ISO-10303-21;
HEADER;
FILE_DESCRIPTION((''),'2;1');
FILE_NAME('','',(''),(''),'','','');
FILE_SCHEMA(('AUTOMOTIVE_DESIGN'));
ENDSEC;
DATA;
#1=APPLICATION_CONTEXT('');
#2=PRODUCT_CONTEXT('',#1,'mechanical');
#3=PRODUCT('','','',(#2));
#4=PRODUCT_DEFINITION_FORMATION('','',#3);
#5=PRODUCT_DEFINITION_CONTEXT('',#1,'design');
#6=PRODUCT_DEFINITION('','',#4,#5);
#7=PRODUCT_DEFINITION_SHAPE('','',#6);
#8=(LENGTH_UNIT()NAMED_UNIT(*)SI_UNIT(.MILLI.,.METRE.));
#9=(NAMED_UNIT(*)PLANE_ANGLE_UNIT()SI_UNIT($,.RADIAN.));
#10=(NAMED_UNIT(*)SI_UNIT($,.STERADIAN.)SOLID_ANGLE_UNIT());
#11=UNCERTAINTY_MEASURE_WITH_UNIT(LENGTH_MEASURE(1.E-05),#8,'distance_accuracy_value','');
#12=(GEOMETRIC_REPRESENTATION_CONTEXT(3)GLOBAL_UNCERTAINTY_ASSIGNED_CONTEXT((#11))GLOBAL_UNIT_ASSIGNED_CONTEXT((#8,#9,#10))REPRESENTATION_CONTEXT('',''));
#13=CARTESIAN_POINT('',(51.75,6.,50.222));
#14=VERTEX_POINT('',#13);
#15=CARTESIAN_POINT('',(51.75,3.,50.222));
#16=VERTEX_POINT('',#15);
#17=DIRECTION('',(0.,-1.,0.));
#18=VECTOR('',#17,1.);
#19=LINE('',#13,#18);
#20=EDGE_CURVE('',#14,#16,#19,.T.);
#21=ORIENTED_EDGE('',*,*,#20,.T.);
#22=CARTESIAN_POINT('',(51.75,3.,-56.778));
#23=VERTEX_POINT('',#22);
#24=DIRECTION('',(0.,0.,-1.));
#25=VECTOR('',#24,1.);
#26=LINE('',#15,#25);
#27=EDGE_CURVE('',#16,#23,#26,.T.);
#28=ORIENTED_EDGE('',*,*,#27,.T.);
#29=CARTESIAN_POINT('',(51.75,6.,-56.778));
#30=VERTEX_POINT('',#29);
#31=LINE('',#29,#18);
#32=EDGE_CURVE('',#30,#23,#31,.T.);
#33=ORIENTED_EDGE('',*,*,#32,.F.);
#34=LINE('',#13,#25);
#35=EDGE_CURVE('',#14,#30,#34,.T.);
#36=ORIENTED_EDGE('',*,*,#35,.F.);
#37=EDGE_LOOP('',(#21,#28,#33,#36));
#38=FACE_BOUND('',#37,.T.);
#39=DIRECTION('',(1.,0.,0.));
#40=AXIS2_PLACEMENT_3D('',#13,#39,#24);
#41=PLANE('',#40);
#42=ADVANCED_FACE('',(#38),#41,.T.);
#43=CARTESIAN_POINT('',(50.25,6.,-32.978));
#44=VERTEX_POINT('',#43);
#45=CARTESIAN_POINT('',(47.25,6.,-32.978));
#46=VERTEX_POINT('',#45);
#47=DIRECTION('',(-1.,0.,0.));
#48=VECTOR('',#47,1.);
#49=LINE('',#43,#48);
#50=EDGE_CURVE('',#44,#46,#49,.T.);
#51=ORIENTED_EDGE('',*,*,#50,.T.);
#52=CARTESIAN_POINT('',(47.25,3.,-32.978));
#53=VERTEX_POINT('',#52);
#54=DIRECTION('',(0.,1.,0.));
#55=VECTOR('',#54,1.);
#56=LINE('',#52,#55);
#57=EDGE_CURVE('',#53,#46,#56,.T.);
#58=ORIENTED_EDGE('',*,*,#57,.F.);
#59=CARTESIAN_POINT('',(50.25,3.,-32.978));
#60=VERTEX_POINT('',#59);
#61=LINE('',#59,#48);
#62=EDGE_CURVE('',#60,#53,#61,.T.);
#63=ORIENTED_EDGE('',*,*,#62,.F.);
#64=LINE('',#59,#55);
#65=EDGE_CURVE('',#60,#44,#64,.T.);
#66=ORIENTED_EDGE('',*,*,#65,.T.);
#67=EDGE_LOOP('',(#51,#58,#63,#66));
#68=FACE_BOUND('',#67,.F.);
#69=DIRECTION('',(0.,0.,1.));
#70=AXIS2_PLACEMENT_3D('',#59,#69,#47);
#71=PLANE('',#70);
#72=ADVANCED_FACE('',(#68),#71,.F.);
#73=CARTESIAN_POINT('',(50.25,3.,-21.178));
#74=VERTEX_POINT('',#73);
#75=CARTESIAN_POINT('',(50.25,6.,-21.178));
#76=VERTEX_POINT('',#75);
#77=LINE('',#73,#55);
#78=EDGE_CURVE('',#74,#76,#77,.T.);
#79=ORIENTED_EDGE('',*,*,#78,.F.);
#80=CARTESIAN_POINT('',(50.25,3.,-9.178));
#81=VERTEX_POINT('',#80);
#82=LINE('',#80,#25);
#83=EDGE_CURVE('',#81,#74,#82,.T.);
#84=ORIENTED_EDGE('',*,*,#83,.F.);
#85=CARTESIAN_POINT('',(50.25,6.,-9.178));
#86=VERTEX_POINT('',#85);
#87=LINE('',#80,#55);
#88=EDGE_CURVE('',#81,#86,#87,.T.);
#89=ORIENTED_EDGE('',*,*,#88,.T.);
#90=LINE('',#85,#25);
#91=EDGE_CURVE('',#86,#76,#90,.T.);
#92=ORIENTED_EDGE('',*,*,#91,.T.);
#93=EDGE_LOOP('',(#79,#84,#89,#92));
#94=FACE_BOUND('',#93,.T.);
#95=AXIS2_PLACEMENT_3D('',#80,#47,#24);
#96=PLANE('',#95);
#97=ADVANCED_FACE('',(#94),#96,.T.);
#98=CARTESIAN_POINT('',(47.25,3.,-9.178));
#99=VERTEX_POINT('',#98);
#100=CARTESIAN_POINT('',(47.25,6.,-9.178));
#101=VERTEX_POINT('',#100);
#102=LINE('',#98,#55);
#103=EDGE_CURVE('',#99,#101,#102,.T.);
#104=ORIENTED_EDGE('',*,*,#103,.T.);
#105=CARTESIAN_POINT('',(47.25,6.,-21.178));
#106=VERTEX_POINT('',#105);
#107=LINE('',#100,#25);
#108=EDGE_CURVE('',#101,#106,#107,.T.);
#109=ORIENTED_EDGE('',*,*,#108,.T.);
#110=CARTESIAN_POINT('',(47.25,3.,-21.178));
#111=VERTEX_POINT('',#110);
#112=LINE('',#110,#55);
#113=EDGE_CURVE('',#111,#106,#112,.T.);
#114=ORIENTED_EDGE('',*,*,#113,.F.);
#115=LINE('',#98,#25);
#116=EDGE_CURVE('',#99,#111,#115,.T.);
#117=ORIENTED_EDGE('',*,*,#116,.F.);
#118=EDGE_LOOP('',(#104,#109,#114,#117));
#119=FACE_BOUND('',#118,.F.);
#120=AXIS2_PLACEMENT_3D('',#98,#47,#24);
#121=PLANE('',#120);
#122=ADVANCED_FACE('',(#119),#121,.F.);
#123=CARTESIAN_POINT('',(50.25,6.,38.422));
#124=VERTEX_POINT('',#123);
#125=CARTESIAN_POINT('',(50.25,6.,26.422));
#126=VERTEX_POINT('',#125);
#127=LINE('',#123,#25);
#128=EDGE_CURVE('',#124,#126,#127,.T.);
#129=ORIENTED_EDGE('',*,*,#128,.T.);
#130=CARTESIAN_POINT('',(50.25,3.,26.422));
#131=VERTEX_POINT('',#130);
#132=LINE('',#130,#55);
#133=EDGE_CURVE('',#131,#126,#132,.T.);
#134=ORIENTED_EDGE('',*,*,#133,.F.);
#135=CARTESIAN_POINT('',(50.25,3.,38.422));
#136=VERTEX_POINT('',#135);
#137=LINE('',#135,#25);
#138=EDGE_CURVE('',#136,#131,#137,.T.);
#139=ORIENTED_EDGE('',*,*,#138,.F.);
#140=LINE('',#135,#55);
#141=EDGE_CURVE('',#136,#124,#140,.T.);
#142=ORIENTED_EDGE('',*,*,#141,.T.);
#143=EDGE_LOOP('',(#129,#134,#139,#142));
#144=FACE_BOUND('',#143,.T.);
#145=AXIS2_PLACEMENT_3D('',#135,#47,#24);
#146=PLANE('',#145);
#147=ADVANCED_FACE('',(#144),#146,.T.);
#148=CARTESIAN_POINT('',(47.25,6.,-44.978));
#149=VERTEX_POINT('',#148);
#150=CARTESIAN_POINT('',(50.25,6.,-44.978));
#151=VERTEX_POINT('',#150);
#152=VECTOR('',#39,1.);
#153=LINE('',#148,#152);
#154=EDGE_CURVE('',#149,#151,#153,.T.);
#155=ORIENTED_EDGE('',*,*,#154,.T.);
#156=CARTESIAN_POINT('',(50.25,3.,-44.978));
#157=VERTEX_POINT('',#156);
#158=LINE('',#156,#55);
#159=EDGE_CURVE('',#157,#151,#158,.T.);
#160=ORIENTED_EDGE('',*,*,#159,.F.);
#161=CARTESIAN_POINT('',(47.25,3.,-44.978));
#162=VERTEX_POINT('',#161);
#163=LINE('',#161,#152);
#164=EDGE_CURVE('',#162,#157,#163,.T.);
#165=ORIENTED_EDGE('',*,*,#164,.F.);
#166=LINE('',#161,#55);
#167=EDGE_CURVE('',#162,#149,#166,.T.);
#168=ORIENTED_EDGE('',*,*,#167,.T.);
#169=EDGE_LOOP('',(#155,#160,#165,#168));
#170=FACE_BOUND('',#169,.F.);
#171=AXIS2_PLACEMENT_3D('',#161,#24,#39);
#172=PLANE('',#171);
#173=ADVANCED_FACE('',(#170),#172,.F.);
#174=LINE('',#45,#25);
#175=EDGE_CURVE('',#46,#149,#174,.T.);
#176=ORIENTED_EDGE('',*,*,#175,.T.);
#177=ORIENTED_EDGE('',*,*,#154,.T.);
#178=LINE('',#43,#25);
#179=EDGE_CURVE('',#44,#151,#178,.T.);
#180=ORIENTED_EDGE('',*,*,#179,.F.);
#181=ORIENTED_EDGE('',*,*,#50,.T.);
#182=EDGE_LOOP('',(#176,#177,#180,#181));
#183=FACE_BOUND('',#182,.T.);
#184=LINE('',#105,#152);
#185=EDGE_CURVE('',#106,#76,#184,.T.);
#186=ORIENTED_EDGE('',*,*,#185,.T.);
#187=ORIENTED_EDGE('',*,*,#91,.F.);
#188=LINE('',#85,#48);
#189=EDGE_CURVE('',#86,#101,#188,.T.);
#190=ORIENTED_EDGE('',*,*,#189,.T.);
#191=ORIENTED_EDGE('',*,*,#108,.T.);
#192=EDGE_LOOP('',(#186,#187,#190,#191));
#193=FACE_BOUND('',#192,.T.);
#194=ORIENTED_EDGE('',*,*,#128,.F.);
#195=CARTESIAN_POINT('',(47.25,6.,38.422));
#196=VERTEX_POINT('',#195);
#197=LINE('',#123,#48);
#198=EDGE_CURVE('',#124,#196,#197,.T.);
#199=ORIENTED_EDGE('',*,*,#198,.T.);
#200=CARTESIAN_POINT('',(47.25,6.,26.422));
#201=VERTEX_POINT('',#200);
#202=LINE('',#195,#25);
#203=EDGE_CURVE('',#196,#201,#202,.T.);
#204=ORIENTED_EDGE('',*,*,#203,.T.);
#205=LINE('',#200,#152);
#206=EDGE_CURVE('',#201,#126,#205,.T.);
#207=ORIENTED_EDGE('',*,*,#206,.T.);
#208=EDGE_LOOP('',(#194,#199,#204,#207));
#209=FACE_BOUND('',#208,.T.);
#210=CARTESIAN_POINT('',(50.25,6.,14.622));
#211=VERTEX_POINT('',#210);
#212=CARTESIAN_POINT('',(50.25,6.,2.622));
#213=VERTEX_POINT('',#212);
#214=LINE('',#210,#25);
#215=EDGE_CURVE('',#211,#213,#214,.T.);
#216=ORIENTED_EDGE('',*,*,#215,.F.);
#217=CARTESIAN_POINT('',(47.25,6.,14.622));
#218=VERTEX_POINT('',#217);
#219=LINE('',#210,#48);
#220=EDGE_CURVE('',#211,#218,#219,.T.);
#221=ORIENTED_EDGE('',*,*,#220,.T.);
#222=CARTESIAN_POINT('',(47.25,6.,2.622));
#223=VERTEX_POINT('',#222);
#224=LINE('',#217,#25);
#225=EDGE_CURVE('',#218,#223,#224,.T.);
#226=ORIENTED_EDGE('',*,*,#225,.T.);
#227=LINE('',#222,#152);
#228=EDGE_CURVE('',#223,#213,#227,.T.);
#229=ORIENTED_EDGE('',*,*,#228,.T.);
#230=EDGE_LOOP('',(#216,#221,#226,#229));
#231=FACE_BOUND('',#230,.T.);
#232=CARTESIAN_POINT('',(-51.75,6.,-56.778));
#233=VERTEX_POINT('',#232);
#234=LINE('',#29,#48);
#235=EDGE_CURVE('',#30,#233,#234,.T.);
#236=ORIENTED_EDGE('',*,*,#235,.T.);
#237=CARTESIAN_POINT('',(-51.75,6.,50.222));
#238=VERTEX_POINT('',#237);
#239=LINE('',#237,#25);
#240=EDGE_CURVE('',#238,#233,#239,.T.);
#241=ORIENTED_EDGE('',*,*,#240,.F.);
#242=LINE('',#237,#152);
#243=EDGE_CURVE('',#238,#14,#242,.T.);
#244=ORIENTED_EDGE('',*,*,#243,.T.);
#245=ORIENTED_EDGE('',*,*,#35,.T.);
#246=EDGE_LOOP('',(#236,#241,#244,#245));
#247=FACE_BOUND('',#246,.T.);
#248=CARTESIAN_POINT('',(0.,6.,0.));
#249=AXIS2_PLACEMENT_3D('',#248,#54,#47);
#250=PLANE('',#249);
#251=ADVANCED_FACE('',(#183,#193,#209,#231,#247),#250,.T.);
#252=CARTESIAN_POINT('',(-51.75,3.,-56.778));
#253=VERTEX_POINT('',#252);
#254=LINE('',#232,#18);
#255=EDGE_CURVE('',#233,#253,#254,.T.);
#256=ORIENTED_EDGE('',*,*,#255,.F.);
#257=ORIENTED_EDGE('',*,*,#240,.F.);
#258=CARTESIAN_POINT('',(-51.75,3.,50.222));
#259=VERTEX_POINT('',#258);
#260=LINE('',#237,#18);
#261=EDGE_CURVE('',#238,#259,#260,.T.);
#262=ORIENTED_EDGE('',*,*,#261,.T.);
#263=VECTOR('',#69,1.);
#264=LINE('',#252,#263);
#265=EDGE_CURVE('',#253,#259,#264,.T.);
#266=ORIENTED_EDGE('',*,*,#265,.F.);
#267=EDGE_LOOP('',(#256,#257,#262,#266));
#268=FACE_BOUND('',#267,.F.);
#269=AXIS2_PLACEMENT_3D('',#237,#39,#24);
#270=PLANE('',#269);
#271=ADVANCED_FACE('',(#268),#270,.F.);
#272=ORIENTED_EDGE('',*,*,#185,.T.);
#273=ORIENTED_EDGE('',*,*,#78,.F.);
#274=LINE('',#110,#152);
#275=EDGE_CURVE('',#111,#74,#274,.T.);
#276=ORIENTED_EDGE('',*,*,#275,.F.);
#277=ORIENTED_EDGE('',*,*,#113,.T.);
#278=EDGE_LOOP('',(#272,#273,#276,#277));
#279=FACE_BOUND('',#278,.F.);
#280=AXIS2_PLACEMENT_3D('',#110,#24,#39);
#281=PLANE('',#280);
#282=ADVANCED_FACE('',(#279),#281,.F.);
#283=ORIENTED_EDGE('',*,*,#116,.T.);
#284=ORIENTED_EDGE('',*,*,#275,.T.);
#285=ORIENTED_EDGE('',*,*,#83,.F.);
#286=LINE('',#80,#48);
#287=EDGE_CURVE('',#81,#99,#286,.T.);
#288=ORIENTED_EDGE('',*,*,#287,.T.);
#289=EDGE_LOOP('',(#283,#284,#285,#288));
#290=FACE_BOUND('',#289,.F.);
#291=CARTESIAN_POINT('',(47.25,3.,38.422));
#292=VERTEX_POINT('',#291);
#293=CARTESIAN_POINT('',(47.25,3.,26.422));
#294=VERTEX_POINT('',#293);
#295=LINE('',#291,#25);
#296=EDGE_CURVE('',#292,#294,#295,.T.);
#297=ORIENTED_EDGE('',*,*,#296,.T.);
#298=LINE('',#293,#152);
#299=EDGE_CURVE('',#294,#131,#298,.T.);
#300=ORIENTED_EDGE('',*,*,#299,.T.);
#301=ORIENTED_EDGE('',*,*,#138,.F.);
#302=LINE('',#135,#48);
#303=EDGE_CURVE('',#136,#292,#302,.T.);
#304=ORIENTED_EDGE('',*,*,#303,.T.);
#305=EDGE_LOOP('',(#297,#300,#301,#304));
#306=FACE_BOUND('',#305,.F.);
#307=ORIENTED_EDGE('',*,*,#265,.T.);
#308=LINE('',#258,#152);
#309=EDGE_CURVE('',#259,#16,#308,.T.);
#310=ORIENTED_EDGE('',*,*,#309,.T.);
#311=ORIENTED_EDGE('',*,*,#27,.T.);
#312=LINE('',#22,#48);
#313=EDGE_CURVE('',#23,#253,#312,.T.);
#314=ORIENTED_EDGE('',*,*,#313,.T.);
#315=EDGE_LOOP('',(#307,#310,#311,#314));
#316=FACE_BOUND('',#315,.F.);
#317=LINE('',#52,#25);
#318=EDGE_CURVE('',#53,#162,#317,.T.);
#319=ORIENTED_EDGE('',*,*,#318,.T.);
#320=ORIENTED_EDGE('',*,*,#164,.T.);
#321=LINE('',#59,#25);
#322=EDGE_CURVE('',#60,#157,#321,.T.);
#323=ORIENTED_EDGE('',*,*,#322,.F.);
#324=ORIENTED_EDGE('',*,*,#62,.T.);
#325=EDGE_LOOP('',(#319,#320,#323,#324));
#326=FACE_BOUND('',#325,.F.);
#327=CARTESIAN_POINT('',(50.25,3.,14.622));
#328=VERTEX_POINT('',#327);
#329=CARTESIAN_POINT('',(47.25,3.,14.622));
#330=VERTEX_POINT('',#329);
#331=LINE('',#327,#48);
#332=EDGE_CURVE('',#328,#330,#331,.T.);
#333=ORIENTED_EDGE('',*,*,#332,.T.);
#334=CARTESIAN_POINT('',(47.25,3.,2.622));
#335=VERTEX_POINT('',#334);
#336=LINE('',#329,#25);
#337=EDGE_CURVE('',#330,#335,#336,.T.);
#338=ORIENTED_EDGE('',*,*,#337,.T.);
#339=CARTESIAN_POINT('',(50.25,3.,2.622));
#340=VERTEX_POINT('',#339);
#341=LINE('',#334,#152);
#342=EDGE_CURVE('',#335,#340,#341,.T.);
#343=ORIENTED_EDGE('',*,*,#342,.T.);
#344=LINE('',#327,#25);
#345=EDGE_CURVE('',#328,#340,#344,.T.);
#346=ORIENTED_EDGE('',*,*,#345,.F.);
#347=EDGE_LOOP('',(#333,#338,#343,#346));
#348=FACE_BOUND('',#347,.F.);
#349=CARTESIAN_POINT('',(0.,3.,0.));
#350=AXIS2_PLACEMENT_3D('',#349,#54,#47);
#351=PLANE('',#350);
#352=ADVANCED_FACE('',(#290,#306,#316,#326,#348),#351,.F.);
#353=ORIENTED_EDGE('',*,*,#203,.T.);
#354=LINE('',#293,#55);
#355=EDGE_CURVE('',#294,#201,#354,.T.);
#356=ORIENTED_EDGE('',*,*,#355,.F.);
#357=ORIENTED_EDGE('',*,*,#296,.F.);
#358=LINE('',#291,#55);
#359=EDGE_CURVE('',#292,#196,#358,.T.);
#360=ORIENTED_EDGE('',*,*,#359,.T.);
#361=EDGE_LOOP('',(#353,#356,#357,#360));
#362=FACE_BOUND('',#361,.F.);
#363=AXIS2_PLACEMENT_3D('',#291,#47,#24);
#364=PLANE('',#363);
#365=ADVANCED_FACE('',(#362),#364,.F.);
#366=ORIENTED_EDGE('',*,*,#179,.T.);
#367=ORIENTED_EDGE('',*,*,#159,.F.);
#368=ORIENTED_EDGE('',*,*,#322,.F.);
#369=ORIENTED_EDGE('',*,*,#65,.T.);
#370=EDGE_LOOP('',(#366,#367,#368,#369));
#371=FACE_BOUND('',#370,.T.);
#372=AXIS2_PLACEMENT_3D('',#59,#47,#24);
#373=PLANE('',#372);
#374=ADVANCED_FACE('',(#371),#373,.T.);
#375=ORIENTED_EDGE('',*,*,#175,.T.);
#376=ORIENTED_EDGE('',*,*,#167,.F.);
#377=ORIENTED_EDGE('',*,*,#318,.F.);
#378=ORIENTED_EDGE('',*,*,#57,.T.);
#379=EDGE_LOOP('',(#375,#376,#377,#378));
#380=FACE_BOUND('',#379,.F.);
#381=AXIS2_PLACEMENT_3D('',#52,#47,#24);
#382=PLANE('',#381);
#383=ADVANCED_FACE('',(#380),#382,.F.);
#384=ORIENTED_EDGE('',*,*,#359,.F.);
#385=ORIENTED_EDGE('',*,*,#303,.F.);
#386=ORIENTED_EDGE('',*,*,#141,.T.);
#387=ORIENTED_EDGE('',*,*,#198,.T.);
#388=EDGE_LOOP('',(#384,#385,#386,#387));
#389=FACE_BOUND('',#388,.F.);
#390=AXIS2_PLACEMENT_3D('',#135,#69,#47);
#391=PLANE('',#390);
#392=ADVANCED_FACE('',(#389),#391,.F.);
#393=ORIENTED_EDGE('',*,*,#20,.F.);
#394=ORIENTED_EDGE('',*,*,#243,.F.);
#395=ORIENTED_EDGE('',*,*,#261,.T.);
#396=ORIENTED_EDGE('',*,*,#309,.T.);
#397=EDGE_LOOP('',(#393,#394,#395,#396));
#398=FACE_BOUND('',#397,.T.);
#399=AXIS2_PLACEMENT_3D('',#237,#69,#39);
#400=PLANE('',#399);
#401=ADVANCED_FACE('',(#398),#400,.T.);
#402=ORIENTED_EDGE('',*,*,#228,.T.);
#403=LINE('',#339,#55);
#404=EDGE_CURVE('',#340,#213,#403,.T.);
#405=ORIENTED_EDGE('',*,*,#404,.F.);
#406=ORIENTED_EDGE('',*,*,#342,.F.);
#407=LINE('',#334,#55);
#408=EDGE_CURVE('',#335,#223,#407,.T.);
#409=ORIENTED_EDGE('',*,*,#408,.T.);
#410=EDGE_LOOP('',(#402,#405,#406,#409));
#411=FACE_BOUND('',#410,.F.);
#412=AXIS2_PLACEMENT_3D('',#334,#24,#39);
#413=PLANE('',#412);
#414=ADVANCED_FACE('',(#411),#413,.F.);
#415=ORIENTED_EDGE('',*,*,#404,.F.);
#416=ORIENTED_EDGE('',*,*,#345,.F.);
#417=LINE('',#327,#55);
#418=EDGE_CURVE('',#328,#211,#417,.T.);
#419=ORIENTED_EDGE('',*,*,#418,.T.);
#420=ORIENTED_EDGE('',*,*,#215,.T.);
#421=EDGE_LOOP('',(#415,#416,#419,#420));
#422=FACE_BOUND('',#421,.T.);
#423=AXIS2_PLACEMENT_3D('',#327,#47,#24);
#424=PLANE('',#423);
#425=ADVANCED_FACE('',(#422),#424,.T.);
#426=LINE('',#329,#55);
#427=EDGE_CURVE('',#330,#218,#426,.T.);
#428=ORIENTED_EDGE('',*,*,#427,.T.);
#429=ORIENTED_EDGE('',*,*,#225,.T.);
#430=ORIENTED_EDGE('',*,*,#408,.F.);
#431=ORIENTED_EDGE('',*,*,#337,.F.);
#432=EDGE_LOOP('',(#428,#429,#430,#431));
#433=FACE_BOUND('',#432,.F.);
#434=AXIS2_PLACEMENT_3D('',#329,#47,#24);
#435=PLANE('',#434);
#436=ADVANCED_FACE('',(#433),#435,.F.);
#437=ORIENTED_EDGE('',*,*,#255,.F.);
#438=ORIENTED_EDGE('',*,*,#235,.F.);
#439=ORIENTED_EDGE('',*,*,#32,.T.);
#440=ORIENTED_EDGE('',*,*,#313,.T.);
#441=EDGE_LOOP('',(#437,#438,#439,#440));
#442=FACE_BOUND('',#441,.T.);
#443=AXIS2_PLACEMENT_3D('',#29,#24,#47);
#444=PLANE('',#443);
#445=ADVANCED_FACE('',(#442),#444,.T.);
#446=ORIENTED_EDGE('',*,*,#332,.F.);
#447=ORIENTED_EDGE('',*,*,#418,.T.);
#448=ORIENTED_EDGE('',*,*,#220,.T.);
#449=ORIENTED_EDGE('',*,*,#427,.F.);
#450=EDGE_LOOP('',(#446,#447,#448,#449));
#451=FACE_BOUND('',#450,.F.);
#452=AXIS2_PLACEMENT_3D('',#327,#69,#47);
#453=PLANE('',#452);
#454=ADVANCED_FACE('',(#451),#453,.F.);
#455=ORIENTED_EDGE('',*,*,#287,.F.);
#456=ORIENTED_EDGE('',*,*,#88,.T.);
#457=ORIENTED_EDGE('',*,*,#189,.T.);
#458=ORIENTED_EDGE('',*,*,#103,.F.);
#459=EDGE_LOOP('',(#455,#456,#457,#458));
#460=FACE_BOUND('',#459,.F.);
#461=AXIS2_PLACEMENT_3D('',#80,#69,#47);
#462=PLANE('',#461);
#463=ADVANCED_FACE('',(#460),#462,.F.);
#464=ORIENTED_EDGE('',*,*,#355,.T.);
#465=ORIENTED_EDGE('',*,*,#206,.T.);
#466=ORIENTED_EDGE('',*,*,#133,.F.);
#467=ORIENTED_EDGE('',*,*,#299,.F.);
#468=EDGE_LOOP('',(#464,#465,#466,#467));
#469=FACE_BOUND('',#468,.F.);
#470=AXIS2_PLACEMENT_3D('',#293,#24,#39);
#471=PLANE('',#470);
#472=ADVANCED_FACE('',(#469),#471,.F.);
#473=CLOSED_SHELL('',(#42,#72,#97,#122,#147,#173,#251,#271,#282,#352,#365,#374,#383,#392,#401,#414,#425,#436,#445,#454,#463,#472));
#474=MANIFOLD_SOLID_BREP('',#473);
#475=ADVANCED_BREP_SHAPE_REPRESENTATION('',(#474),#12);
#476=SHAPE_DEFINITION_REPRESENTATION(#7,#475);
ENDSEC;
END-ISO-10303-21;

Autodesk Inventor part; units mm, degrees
ref_plane "YZ Plane" through (0, 0, 0) normal (1, 0, 0) x (0, 1, 0)
ref_plane "XZ Plane" through (0, 0, 0) normal (0, 1, 0) x (-1, 0, 0)
ref_plane "Plano de trabalho1" through (-46, 6, -51.528) normal (0, -1, 0) x (1, 0, 0)
sketch "Esboço5" plane through (0, 0, 0) normal (0, 1, 0) x (-1, 0, 0)
  line L0 (51.75, 50.222) -> (51.75, -56.778)
  line L1 (51.75, -21.778) -> (51.75, -56.778)
  line L2 (51.75, 50.222) -> (-51.75, 50.222)
  line L3 (-51.75, 50.222) -> (-51.75, -56.778)
  line L4 (-51.75, -56.778) -> (51.75, -56.778)
  point P0 (0, 0)
  dimension "d28" = 51.75
  dimension "d30" = 103.5
extrude "Extrusão4" add sketch "Esboço5" against normal blind 3 from surface at 6
sketch "Esboço7" plane through (-51.75, 3, 50.222) normal (0, -1, 0) x (1, 0, 0)
  line L0 (99, -95.2) -> (102, -95.2) projected
  line L1 (102, -83.2) -> (102, -95.2) projected
  line L2 (102, -83.2) -> (99, -83.2) projected
  line L3 (99, -83.2) -> (99, -95.2) projected
  line L4 (99, -71.4) -> (102, -71.4) projected
  line L5 (102, -59.4) -> (102, -71.4) projected
  line L6 (102, -59.4) -> (99, -59.4) projected
  line L7 (99, -59.4) -> (99, -71.4) projected
  line L8 (102, -35.6) -> (99, -35.6) projected
  line L9 (99, -35.6) -> (99, -47.6) projected
  line L10 (99, -47.6) -> (102, -47.6) projected
  line L11 (102, -35.6) -> (102, -47.6) projected
  line L12 (102, -11.8) -> (99, -11.8) projected
  line L13 (99, -11.8) -> (99, -23.8) projected
  line L14 (99, -23.8) -> (102, -23.8) projected
  line L15 (102, -11.8) -> (102, -23.8) projected
  line L16 (102, -95.2) -> (99, -95.2)
  line L17 (99, -95.2) -> (99, -83.2)
  line L18 (99, -83.2) -> (102, -83.2)
  line L19 (102, -83.2) -> (102, -95.2)
  line L20 (102, -71.4) -> (99, -71.4)
  line L21 (99, -71.4) -> (99, -59.4)
  line L22 (99, -59.4) -> (102, -59.4)
  line L23 (102, -59.4) -> (102, -71.4)
  line L24 (102, -47.6) -> (99, -47.6)
  line L25 (99, -47.6) -> (99, -35.6)
  line L26 (99, -35.6) -> (102, -35.6)
  line L27 (102, -35.6) -> (102, -47.6)
  line L28 (102, -23.8) -> (99, -23.8)
  line L29 (99, -23.8) -> (99, -11.8)
  line L30 (99, -11.8) -> (102, -11.8)
  line L31 (102, -11.8) -> (102, -23.8)
  point P0 (51.75, -50.222)
extrude "Extrusão5" cut sketch "Esboço7" against normal blind 3
equation "\"d30\" = 2 * d28"
properties part number "Chassi_mid"
